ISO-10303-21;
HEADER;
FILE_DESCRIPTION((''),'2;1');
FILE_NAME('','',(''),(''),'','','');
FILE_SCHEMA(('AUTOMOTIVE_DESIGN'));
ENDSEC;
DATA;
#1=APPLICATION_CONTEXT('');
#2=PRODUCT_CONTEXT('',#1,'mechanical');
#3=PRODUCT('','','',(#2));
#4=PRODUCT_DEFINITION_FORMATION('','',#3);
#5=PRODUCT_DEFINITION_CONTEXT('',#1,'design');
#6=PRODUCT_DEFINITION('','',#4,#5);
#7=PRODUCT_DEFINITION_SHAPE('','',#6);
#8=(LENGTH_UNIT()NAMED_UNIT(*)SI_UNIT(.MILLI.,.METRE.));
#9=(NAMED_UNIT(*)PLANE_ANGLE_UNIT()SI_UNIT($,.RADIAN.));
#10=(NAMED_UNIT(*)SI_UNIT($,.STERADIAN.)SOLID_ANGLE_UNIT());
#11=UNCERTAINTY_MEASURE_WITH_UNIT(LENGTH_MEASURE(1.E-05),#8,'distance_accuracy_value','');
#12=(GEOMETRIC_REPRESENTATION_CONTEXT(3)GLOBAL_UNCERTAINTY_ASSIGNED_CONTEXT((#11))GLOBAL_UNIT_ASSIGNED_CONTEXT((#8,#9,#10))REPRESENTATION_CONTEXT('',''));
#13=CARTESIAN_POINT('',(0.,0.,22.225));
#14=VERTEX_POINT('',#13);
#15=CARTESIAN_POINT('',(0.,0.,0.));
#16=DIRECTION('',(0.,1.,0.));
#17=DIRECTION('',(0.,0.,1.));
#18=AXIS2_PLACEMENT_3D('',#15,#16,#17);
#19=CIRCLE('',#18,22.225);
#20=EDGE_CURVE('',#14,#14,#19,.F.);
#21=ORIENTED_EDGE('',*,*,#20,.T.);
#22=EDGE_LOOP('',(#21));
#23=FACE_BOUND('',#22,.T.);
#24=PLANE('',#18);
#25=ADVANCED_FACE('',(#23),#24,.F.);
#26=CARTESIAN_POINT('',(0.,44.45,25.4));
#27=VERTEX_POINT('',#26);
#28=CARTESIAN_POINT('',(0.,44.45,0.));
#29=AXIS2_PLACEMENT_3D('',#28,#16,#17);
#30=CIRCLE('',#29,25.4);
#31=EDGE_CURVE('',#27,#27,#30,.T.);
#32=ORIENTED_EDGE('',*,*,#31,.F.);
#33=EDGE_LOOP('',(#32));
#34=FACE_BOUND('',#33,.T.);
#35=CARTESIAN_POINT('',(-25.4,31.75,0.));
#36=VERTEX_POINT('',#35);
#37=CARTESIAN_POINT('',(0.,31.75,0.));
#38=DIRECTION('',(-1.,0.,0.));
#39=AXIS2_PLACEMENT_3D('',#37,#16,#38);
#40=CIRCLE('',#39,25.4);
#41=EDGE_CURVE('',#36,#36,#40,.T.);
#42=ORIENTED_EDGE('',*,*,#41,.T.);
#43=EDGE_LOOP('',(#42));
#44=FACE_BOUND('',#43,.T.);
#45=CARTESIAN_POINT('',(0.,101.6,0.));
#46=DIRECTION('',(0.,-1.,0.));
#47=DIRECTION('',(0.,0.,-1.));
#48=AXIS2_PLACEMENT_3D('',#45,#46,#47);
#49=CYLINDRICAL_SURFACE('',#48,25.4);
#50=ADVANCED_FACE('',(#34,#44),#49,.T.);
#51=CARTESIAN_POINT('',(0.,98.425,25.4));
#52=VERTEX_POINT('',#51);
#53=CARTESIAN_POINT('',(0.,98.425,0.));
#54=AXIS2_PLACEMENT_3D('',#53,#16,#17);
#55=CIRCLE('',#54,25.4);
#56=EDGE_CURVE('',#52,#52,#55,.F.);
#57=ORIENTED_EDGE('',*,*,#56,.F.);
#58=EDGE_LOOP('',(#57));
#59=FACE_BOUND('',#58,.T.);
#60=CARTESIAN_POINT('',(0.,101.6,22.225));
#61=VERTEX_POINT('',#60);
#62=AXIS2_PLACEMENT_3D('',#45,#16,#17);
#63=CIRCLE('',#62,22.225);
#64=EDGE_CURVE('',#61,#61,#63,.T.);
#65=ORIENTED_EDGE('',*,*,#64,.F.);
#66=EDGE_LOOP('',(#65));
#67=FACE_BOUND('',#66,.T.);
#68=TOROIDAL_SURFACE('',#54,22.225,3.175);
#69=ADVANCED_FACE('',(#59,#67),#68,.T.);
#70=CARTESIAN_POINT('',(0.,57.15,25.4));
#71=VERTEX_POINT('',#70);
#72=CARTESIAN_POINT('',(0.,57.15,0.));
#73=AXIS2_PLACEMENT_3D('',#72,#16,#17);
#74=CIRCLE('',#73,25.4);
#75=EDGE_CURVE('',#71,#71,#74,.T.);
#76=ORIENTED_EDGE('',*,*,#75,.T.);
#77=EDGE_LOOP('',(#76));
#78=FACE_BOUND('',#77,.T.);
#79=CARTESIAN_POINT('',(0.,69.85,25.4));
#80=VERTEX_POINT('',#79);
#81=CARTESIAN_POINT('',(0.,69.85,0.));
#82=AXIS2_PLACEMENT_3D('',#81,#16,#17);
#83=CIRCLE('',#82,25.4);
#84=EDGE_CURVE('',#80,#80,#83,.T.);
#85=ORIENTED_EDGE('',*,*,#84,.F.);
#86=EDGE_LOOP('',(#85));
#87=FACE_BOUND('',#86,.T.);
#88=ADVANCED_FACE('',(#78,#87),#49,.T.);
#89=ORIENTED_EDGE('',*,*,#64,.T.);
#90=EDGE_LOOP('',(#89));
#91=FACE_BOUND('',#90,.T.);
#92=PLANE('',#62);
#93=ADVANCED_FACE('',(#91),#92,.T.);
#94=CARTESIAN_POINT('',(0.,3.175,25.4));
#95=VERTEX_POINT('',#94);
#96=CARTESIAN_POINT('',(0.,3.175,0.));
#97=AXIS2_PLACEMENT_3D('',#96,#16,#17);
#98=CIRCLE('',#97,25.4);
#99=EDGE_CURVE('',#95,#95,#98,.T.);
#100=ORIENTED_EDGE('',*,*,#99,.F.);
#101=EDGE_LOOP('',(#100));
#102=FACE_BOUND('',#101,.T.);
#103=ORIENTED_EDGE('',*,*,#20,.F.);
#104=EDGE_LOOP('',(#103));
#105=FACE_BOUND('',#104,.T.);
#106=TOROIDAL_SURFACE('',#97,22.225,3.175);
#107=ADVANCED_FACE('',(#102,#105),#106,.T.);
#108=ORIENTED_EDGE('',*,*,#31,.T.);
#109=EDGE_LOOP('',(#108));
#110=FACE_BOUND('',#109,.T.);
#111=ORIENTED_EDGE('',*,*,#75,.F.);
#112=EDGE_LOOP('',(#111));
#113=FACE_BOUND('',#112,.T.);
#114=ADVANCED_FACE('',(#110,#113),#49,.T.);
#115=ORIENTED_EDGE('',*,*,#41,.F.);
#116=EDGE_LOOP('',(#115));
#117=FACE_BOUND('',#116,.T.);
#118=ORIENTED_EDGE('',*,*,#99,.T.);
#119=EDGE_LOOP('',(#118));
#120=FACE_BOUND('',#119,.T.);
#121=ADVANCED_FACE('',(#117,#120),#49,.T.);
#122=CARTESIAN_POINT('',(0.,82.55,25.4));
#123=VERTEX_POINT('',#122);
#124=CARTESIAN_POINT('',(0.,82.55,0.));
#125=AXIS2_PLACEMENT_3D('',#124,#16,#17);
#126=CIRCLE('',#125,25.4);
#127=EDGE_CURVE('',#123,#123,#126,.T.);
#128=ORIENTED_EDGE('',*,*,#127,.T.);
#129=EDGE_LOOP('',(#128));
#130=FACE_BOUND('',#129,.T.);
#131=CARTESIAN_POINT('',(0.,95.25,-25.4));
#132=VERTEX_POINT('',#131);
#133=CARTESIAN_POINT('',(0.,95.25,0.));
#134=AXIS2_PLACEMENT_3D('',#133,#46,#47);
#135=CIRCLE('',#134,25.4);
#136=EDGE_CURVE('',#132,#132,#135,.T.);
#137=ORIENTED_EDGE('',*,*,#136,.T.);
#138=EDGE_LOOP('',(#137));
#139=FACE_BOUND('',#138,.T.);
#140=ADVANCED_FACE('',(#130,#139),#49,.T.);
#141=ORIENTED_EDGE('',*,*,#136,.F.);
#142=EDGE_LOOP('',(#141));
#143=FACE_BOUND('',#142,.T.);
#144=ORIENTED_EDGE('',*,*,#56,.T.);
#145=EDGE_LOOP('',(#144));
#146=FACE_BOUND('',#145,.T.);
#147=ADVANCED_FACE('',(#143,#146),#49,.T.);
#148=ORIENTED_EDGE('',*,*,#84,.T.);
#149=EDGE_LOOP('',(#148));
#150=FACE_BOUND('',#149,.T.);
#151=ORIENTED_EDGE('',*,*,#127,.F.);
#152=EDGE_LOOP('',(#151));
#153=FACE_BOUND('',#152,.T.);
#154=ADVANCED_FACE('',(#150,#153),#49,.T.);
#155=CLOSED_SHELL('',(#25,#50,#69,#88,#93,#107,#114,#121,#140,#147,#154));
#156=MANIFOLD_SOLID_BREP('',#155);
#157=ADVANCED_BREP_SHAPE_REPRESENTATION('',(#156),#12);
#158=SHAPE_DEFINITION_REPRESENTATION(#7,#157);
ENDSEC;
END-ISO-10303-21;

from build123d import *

# Parameters (mm, degrees)
SKETCH1_R           = 25.4
BOSS_EXTRUDE1_DEPTH = 101.6
FILLET1_R           = 3.175
FILLET2_R           = 3.175


with BuildPart() as part:
    # Sketch1 → Boss-Extrude1 (new body)
    with BuildSketch(Plane(origin=(0, 0, 0), x_dir=(1, 0, 0), z_dir=(0, 1, 0))):
        Circle(SKETCH1_R)
    extrude(amount=BOSS_EXTRUDE1_DEPTH)

    # Fillet1
    fillet1_edges = [part.edges().sort_by_distance(p)[0] for p in [
        (-25.4, 101.6, 0),
    ]]
    fillet(fillet1_edges, radius=FILLET1_R)

    # Fillet2
    fillet2_edges = [part.edges().sort_by_distance(p)[0] for p in [
        (-25.4, 0, 0),
    ]]
    fillet(fillet2_edges, radius=FILLET2_R)


solid = part.part
